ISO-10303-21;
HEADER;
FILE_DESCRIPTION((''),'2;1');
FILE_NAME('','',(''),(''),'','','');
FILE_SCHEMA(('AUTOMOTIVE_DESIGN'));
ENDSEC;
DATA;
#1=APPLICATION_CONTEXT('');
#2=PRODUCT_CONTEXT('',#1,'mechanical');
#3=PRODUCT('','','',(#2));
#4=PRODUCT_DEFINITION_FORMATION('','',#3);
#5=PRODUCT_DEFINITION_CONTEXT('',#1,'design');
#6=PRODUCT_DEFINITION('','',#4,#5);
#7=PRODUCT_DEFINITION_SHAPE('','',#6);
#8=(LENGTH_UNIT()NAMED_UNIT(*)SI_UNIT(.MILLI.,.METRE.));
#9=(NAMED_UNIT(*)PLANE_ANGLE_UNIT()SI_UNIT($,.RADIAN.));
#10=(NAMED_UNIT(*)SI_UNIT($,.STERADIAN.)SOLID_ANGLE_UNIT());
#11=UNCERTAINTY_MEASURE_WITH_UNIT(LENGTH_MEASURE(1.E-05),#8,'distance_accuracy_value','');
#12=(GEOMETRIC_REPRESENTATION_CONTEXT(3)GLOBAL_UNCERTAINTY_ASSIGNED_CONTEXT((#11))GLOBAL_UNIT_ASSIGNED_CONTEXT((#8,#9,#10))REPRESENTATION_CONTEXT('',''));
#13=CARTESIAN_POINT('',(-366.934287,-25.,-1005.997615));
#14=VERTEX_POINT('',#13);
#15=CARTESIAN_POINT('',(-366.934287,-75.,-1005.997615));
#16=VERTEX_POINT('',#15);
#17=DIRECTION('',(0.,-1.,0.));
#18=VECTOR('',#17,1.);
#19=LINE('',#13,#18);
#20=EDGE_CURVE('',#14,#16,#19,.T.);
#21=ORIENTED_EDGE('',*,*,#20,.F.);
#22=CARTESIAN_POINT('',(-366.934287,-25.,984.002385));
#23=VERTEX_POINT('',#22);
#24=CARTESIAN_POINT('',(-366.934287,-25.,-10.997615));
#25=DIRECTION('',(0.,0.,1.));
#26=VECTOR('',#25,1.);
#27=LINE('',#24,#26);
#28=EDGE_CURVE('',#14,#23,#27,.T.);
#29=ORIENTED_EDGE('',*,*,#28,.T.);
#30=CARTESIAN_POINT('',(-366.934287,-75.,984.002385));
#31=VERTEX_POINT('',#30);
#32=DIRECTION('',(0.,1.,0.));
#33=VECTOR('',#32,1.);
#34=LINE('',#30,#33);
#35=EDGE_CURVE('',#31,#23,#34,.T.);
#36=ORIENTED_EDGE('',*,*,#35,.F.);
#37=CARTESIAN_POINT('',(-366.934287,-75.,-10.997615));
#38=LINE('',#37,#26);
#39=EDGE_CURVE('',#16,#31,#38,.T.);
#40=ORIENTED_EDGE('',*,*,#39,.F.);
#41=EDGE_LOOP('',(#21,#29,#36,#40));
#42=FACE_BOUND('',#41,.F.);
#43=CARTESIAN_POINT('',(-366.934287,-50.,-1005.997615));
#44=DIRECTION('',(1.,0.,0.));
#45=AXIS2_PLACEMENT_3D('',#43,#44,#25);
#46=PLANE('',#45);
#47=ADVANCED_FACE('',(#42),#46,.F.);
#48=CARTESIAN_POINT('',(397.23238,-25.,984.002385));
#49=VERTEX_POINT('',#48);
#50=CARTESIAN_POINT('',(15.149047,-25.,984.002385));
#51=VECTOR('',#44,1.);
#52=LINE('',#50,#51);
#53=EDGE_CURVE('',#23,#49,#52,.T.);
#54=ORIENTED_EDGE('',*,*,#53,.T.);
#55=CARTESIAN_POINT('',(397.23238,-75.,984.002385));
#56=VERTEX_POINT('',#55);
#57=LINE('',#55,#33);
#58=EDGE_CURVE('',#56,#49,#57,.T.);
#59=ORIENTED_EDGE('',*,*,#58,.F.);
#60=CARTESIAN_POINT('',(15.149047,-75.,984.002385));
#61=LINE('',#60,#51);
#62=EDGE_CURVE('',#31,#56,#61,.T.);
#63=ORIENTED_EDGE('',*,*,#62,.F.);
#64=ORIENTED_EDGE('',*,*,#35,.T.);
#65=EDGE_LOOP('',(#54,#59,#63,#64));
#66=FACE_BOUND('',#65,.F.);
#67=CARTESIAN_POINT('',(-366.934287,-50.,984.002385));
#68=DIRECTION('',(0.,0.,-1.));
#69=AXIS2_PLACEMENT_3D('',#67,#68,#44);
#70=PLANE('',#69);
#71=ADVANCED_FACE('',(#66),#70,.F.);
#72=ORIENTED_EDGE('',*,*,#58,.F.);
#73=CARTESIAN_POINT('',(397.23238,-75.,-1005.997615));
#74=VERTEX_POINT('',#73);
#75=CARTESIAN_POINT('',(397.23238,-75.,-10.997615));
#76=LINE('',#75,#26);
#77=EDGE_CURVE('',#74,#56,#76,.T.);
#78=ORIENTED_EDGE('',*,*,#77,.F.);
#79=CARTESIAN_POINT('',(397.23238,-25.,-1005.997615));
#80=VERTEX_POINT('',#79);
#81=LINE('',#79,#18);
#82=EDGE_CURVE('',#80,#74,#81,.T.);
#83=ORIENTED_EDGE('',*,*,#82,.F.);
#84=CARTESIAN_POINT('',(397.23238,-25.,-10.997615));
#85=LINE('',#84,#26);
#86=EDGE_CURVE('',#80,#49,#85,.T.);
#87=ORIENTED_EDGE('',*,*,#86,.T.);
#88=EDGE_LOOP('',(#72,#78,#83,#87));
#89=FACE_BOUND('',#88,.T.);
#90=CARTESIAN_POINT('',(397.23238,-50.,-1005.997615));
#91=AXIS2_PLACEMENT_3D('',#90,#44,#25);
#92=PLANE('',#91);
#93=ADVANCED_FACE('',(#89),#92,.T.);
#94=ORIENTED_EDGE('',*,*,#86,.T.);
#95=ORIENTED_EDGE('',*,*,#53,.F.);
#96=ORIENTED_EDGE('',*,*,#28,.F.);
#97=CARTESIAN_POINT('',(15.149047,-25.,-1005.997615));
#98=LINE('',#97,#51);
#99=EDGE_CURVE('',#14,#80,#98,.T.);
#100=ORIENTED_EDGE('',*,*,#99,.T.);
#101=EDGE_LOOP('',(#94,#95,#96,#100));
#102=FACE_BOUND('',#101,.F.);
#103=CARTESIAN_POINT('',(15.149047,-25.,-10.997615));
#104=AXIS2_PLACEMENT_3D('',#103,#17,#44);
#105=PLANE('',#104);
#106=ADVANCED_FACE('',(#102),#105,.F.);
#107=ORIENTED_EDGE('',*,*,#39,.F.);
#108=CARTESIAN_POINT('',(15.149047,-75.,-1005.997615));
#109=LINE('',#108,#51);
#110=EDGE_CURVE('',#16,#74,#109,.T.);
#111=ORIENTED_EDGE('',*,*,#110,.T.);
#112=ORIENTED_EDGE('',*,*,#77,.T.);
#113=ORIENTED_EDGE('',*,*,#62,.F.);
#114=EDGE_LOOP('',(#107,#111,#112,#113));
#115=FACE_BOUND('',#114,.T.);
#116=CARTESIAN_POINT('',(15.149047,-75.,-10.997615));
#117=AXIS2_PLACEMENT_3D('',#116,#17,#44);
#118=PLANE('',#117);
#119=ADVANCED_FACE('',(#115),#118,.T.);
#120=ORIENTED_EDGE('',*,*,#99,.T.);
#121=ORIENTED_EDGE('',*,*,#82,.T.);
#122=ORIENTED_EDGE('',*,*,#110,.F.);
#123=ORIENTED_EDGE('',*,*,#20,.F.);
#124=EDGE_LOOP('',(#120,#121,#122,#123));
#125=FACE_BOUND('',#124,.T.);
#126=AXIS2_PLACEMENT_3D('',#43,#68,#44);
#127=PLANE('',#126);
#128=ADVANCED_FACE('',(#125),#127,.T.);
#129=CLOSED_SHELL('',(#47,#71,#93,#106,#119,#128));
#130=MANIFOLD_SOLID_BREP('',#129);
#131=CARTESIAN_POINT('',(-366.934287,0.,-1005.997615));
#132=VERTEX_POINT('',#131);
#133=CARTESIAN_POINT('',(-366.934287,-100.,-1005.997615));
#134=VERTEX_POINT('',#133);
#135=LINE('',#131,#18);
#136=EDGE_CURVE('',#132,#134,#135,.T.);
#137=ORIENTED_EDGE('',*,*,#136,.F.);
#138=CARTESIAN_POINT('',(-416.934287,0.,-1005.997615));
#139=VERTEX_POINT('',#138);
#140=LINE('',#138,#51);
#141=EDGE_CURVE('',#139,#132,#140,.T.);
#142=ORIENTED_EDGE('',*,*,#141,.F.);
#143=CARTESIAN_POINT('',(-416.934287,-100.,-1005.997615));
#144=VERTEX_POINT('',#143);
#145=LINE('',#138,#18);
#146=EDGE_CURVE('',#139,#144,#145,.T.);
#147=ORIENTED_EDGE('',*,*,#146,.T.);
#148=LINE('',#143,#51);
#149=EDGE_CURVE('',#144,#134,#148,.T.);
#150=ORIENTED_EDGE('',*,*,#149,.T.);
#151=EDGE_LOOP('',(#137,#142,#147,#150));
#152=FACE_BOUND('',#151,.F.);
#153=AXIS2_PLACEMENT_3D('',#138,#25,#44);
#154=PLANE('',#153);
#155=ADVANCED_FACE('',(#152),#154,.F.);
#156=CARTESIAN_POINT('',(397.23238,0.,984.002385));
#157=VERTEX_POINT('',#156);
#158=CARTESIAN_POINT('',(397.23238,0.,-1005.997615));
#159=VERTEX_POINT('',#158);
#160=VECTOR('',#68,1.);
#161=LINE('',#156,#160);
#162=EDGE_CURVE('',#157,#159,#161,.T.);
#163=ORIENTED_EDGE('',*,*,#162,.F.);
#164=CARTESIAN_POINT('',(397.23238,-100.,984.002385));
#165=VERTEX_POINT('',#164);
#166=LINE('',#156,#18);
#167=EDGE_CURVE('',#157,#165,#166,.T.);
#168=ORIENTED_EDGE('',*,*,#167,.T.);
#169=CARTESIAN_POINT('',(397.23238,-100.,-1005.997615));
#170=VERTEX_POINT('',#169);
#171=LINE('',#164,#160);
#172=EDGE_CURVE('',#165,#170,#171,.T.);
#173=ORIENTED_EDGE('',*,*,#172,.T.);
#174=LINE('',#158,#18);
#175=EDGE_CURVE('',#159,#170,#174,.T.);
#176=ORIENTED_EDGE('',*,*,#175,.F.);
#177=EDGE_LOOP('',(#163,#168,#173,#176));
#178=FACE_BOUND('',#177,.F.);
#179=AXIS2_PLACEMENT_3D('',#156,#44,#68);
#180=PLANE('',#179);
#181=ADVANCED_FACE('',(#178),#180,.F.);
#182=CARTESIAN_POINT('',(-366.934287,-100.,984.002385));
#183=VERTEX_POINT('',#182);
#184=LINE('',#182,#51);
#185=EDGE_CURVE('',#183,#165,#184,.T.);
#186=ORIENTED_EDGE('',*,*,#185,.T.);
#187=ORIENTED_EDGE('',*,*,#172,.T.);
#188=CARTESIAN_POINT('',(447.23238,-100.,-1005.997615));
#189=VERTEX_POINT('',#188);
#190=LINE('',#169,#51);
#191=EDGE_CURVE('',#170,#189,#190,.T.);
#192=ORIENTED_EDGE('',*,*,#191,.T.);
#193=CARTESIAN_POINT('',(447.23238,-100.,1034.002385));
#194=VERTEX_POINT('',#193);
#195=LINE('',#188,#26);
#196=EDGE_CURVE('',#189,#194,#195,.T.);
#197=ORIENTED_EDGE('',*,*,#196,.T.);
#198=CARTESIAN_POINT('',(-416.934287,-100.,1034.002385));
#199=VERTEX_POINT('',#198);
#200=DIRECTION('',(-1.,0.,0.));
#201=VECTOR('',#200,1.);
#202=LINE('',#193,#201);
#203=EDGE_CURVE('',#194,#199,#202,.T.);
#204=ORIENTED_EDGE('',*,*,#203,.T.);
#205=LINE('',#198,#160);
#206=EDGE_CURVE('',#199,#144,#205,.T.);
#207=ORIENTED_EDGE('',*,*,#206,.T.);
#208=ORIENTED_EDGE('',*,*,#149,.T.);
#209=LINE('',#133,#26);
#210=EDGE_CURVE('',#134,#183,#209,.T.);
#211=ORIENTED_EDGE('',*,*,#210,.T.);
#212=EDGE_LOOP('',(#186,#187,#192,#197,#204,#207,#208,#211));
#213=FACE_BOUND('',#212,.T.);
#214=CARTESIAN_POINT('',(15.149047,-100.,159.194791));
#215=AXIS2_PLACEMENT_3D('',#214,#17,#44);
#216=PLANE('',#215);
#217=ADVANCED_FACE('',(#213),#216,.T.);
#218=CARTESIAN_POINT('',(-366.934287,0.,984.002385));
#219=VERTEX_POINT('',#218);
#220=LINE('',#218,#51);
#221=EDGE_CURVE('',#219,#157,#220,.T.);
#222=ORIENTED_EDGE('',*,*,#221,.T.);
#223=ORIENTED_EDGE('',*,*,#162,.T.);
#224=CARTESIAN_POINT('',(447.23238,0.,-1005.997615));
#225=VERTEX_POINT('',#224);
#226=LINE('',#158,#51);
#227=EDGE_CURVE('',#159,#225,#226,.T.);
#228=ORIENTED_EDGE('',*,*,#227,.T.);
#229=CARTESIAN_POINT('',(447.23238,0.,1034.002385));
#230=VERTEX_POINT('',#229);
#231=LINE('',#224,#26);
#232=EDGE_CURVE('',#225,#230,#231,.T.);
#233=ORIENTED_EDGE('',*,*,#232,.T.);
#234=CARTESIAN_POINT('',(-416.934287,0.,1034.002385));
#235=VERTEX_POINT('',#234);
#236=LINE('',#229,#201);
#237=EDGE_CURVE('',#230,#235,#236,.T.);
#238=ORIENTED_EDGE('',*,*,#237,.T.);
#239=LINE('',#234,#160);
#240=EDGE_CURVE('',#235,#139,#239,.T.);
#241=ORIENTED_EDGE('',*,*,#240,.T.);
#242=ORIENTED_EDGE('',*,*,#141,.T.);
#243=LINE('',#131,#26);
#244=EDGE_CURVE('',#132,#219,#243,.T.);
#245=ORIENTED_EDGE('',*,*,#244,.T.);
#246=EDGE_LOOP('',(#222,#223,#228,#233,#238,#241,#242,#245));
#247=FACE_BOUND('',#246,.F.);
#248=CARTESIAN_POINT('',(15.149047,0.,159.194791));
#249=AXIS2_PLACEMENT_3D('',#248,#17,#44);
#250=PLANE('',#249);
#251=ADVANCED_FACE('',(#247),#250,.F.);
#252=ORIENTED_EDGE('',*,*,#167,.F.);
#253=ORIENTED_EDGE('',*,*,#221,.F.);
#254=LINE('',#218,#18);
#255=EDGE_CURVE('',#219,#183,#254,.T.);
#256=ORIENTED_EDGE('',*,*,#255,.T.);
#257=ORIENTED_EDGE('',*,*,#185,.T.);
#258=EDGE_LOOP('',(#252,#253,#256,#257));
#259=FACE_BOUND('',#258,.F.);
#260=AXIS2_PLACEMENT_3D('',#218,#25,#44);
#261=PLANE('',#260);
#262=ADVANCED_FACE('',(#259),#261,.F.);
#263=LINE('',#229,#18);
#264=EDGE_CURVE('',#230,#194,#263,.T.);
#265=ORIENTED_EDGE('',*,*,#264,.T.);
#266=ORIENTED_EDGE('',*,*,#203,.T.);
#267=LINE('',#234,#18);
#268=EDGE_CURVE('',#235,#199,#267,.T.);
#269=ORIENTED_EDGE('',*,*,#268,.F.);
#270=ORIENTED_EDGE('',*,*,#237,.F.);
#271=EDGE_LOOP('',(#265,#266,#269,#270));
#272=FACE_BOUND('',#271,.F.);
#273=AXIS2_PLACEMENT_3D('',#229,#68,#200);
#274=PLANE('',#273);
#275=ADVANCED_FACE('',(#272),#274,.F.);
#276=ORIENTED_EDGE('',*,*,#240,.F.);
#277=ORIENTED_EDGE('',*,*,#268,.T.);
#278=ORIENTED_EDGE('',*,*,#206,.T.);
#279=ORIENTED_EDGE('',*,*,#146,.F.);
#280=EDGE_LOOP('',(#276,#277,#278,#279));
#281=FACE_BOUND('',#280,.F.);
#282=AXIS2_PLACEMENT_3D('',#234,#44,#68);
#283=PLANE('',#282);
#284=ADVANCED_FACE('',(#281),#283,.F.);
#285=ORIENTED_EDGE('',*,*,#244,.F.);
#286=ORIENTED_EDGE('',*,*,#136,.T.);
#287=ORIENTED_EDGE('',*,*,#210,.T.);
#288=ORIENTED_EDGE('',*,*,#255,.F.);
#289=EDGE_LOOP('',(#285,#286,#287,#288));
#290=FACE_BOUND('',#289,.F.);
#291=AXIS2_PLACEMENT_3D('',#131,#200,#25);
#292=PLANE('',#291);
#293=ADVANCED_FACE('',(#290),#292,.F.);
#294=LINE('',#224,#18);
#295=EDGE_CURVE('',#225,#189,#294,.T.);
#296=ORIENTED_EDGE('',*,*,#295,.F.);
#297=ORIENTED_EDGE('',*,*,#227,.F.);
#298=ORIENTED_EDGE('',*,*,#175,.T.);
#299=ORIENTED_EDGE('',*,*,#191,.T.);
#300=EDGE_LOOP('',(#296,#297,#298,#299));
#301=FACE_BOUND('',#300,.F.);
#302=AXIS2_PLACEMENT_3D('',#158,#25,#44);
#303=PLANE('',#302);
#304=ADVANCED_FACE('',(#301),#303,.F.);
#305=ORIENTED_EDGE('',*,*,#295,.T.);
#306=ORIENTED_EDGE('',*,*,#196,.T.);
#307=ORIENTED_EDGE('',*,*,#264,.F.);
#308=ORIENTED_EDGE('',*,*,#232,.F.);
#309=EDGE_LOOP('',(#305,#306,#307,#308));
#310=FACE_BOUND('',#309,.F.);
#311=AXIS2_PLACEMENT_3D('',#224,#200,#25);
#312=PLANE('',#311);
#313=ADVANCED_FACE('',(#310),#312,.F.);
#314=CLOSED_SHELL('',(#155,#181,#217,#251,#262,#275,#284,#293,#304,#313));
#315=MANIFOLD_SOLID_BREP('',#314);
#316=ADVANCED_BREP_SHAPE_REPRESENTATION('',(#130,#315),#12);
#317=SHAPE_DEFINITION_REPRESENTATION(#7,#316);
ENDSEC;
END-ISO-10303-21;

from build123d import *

# Parameters (mm, degrees)
F1_DEPTH      = 100
F3_W          = 764.166667
F3_H          = 1990
F4_DEPTH      = 25
F4_DEPTH_BACK = 25


with BuildPart() as f1:
    # F0 (on Front) → F1 (new body)
    with BuildSketch(Plane.XZ):
        Polygon((447.2323801669, 1034.0023847809), (-416.9342868331, 1034.0023847809), (-416.9342868331, -1005.9976152191), (-366.9342868331, -1005.9976152191), (-366.9342868331, 984.0023847809), (397.2323801669, 984.0023847809), (397.2323801669, -1005.9976152191), (447.2323801669, -1005.9976152191), align=None)
    extrude(amount=F1_DEPTH)


with BuildPart() as f4:
    # F3 (on mid) → F4 (new body, two sides)
    with BuildSketch(Plane.XZ.offset(50)) as f4_sk:
        with Locations((15.1490466669, -10.9976152191)):
            Rectangle(F3_W, F3_H)
    extrude(amount=F4_DEPTH)
    extrude(f4_sk.sketch, amount=-F4_DEPTH_BACK)


solid = Compound([f1.part, f4.part])
